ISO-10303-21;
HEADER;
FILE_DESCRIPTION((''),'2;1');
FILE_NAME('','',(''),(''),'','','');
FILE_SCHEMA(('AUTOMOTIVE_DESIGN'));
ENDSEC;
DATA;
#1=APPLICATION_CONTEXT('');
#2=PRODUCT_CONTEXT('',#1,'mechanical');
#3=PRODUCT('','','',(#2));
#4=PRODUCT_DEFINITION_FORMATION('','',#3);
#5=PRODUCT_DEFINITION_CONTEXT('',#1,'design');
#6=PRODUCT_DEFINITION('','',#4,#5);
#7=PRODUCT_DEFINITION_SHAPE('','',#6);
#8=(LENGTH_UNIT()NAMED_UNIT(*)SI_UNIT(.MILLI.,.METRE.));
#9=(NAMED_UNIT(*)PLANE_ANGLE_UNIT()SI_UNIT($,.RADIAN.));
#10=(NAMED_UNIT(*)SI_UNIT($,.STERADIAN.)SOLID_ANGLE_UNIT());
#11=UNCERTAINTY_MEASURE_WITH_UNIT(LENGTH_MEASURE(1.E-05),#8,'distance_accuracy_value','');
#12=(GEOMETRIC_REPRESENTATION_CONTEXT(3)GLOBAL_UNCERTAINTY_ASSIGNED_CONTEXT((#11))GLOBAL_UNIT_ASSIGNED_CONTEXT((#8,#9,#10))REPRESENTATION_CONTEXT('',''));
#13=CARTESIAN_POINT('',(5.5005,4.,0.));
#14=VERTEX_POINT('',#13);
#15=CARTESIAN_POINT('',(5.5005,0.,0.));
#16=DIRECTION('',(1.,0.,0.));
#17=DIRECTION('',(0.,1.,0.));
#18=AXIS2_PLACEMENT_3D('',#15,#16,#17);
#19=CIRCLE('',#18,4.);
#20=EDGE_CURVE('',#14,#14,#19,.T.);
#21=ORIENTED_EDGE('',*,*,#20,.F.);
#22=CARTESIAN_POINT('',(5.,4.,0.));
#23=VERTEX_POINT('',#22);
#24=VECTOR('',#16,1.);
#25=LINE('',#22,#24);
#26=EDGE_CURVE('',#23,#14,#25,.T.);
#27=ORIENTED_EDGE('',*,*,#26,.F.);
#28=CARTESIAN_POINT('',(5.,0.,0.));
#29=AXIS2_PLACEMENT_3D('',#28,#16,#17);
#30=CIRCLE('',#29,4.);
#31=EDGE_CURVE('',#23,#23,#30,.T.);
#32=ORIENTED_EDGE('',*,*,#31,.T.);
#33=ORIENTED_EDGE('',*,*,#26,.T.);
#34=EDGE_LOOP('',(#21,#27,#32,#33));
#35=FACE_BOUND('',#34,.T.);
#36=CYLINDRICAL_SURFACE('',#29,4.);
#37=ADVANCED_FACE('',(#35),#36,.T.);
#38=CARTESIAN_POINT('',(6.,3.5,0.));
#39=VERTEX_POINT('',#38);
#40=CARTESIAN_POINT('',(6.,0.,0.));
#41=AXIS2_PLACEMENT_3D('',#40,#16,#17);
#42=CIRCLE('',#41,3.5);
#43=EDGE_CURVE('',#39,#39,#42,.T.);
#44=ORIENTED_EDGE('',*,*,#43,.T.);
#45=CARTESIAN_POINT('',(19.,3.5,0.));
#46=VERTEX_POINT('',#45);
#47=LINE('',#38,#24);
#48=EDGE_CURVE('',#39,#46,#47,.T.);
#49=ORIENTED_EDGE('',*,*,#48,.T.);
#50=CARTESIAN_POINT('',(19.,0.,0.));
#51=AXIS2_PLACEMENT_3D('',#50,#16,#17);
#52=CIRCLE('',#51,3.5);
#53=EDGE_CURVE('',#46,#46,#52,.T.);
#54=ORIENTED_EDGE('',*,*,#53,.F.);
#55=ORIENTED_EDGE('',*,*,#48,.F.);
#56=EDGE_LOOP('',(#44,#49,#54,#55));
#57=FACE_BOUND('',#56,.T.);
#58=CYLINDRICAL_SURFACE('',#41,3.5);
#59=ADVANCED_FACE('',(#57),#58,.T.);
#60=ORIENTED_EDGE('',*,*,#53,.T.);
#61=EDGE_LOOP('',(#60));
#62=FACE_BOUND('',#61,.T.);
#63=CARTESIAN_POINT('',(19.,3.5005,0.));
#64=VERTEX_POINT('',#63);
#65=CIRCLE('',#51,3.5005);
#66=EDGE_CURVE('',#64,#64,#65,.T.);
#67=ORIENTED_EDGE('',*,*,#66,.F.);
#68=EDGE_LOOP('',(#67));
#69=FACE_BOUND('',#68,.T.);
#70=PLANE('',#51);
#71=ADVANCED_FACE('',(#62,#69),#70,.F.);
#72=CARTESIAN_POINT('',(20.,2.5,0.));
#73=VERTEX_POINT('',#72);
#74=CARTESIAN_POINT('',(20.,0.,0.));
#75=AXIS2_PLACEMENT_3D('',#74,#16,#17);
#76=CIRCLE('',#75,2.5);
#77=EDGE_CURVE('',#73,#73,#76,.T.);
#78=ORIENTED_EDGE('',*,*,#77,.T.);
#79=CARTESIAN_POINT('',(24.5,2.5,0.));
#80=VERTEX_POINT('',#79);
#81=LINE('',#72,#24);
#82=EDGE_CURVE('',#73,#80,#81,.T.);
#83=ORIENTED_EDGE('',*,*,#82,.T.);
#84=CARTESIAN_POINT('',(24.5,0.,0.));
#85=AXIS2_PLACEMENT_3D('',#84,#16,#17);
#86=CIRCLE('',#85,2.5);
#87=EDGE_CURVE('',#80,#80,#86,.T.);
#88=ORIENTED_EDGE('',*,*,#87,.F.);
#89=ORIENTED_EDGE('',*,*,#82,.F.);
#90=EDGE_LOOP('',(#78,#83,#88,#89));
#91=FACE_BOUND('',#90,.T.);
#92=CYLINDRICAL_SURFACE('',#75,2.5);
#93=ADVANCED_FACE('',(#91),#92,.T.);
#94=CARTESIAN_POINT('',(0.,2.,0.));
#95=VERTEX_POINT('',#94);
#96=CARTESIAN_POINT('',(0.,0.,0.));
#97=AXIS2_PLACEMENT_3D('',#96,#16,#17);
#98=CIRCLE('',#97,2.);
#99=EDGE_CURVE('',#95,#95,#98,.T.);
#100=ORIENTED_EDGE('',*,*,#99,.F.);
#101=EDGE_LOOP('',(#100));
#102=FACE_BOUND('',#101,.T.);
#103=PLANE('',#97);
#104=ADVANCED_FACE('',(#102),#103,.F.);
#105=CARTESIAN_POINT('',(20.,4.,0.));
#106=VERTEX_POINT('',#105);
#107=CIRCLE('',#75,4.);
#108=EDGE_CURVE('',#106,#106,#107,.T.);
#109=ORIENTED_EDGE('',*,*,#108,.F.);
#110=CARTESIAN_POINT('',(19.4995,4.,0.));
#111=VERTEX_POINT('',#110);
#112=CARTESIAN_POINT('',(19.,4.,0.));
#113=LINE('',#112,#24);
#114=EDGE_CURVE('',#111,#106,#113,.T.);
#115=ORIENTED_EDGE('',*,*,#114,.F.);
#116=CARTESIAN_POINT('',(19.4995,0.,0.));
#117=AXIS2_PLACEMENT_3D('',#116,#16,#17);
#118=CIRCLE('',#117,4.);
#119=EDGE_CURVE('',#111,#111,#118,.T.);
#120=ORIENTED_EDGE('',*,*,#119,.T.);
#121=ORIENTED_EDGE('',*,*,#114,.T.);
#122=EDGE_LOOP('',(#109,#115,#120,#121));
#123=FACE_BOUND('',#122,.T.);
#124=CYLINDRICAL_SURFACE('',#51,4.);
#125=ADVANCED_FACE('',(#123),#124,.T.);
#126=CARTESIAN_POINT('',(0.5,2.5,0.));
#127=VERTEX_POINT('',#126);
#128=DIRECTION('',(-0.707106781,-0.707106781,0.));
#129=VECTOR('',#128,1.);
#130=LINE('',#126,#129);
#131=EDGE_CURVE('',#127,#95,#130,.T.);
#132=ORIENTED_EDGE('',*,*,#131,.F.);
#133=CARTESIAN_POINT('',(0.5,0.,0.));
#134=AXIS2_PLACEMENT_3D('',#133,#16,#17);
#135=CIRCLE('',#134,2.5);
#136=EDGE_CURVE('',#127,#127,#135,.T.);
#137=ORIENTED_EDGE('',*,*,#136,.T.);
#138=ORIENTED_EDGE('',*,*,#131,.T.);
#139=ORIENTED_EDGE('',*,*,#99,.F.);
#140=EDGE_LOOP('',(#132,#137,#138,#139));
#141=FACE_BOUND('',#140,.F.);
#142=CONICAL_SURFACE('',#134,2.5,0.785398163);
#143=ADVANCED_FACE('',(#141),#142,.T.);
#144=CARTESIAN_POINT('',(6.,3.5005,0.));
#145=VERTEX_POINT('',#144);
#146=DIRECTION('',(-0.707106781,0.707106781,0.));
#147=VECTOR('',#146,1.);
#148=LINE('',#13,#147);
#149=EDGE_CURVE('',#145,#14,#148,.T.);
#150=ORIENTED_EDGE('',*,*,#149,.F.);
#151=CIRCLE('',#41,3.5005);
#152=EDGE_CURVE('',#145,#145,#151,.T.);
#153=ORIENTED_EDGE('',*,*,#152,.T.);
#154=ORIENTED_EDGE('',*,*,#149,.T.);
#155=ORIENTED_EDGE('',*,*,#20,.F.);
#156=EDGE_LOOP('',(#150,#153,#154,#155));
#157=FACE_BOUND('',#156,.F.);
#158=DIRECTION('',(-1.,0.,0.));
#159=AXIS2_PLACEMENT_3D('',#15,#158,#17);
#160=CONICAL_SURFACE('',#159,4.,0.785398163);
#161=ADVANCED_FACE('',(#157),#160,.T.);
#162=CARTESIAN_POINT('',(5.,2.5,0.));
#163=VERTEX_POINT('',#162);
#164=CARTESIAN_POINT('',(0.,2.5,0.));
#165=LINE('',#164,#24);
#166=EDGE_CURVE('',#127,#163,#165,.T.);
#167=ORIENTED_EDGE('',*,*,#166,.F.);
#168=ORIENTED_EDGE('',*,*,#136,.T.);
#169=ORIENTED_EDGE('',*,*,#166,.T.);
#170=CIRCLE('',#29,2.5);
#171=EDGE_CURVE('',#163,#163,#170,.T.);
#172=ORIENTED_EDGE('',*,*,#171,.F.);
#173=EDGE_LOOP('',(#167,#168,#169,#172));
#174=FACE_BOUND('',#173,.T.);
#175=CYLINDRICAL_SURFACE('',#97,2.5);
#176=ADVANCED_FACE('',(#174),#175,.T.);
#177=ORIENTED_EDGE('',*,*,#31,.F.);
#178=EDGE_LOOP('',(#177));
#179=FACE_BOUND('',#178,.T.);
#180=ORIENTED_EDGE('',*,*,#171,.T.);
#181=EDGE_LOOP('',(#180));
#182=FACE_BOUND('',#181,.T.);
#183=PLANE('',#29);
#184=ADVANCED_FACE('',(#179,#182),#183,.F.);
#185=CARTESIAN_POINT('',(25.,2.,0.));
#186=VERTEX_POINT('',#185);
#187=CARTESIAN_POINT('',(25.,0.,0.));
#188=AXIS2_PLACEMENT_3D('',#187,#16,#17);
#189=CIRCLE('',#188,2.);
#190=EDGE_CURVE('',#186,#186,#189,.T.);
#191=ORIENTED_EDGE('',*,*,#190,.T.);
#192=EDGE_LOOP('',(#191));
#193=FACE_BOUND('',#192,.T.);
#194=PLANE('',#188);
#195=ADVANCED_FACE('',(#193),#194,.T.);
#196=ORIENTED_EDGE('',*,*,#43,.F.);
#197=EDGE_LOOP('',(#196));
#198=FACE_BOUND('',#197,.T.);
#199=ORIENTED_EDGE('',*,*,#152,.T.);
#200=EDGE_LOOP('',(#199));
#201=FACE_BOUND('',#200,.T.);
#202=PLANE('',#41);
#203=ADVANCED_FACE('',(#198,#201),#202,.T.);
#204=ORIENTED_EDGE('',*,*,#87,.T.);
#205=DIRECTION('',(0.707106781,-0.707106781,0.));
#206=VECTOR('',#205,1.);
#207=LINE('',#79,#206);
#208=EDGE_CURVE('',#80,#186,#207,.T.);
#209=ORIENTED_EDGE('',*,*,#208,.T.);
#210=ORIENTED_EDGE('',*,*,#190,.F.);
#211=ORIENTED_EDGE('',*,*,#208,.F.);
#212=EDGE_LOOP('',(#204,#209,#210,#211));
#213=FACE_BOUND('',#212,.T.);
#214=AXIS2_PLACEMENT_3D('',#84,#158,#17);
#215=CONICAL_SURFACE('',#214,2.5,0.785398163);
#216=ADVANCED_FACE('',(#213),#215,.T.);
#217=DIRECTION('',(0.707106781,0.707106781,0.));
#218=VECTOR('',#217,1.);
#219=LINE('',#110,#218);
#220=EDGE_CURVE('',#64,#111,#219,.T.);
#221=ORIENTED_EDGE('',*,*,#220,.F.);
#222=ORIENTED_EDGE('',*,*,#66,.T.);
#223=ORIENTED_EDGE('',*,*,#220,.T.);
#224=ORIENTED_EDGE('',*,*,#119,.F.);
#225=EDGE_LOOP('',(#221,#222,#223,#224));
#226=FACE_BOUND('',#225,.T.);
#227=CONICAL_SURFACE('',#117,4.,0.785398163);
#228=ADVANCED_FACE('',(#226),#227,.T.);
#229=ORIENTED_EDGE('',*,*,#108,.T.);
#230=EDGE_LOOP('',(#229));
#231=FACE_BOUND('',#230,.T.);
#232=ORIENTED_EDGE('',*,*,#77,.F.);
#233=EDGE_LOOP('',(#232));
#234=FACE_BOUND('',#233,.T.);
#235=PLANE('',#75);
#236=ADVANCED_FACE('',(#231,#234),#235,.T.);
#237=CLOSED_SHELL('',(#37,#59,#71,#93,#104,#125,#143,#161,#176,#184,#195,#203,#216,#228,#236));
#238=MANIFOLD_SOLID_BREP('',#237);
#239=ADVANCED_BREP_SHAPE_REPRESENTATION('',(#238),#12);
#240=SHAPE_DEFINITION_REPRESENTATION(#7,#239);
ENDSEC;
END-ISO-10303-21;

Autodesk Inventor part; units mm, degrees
ref_plane "Startebene" through (0, 0, 0) normal (1, 0, 0) x (0, 1, 0)
ref_plane "XZ Plane" through (0, 0, 0) normal (0, 1, 0) x (-1, 0, 0)
ref_plane "XY Plane" through (0, 0, 0) normal (0, 0, 1) x (1, 0, 0)
sketch "Hauptskizze" plane through (0, 0, 0) normal (0, 0, 1) x (1, 0, 0)
  line L0 (0, 0) -> (25, 0)
  line L1 (0, 0) -> (0, 2.5)
  line L2 (0, 2.5) -> (5, 2.5)
  line L3 (5, 2.5) -> (5, 4)
  line L4 (6, 4) -> (6, 3.5)
  line L5 (5, 4) -> (6, 4)
  line L6 (6, 3.5) -> (19, 3.5)
  line L7 (20, 4) -> (20, 2.5)
  line L8 (19, 4) -> (20, 4)
  line L9 (25, 2.5) -> (25, 0)
  line L10 (20, 2.5) -> (25, 2.5)
  line L11 (19, 3.5) -> (19, 4)
  dimension "d3" = 5
  dimension "d4" = 8
  dimension "d5" = 7
  dimension "d13" = 8
  dimension "d14" = 5
revolve "Umdrehung1" add sketch "Hauptskizze" angle 360 about axis through (0, 0, 0) along (1, 0, 0)
chamfer "Fase5" distance 0.5 angle 45 1 edges at (19, -4, 0) measured on face at (19.3333, 3.987, -0.3219)
chamfer "Fase4" distance 0.5 angle 45 1 edges at (6, -4, 0) measured on face at (5.3333, 3.987, -0.3219)
chamfer "Fase3" distance 0.5 angle 45 1 edges at (25, -2.5, 0) measured on face at (21.6667, 2.4676, -0.401)
chamfer "Fase1" distance 0.5 angle 45 1 edges at (0, -2.5, 0) measured on face at (1.6667, 2.4676, -0.401)
properties part number "Welle 5x4+6x15+5x4" material "Messing, weicher Gelbton"
